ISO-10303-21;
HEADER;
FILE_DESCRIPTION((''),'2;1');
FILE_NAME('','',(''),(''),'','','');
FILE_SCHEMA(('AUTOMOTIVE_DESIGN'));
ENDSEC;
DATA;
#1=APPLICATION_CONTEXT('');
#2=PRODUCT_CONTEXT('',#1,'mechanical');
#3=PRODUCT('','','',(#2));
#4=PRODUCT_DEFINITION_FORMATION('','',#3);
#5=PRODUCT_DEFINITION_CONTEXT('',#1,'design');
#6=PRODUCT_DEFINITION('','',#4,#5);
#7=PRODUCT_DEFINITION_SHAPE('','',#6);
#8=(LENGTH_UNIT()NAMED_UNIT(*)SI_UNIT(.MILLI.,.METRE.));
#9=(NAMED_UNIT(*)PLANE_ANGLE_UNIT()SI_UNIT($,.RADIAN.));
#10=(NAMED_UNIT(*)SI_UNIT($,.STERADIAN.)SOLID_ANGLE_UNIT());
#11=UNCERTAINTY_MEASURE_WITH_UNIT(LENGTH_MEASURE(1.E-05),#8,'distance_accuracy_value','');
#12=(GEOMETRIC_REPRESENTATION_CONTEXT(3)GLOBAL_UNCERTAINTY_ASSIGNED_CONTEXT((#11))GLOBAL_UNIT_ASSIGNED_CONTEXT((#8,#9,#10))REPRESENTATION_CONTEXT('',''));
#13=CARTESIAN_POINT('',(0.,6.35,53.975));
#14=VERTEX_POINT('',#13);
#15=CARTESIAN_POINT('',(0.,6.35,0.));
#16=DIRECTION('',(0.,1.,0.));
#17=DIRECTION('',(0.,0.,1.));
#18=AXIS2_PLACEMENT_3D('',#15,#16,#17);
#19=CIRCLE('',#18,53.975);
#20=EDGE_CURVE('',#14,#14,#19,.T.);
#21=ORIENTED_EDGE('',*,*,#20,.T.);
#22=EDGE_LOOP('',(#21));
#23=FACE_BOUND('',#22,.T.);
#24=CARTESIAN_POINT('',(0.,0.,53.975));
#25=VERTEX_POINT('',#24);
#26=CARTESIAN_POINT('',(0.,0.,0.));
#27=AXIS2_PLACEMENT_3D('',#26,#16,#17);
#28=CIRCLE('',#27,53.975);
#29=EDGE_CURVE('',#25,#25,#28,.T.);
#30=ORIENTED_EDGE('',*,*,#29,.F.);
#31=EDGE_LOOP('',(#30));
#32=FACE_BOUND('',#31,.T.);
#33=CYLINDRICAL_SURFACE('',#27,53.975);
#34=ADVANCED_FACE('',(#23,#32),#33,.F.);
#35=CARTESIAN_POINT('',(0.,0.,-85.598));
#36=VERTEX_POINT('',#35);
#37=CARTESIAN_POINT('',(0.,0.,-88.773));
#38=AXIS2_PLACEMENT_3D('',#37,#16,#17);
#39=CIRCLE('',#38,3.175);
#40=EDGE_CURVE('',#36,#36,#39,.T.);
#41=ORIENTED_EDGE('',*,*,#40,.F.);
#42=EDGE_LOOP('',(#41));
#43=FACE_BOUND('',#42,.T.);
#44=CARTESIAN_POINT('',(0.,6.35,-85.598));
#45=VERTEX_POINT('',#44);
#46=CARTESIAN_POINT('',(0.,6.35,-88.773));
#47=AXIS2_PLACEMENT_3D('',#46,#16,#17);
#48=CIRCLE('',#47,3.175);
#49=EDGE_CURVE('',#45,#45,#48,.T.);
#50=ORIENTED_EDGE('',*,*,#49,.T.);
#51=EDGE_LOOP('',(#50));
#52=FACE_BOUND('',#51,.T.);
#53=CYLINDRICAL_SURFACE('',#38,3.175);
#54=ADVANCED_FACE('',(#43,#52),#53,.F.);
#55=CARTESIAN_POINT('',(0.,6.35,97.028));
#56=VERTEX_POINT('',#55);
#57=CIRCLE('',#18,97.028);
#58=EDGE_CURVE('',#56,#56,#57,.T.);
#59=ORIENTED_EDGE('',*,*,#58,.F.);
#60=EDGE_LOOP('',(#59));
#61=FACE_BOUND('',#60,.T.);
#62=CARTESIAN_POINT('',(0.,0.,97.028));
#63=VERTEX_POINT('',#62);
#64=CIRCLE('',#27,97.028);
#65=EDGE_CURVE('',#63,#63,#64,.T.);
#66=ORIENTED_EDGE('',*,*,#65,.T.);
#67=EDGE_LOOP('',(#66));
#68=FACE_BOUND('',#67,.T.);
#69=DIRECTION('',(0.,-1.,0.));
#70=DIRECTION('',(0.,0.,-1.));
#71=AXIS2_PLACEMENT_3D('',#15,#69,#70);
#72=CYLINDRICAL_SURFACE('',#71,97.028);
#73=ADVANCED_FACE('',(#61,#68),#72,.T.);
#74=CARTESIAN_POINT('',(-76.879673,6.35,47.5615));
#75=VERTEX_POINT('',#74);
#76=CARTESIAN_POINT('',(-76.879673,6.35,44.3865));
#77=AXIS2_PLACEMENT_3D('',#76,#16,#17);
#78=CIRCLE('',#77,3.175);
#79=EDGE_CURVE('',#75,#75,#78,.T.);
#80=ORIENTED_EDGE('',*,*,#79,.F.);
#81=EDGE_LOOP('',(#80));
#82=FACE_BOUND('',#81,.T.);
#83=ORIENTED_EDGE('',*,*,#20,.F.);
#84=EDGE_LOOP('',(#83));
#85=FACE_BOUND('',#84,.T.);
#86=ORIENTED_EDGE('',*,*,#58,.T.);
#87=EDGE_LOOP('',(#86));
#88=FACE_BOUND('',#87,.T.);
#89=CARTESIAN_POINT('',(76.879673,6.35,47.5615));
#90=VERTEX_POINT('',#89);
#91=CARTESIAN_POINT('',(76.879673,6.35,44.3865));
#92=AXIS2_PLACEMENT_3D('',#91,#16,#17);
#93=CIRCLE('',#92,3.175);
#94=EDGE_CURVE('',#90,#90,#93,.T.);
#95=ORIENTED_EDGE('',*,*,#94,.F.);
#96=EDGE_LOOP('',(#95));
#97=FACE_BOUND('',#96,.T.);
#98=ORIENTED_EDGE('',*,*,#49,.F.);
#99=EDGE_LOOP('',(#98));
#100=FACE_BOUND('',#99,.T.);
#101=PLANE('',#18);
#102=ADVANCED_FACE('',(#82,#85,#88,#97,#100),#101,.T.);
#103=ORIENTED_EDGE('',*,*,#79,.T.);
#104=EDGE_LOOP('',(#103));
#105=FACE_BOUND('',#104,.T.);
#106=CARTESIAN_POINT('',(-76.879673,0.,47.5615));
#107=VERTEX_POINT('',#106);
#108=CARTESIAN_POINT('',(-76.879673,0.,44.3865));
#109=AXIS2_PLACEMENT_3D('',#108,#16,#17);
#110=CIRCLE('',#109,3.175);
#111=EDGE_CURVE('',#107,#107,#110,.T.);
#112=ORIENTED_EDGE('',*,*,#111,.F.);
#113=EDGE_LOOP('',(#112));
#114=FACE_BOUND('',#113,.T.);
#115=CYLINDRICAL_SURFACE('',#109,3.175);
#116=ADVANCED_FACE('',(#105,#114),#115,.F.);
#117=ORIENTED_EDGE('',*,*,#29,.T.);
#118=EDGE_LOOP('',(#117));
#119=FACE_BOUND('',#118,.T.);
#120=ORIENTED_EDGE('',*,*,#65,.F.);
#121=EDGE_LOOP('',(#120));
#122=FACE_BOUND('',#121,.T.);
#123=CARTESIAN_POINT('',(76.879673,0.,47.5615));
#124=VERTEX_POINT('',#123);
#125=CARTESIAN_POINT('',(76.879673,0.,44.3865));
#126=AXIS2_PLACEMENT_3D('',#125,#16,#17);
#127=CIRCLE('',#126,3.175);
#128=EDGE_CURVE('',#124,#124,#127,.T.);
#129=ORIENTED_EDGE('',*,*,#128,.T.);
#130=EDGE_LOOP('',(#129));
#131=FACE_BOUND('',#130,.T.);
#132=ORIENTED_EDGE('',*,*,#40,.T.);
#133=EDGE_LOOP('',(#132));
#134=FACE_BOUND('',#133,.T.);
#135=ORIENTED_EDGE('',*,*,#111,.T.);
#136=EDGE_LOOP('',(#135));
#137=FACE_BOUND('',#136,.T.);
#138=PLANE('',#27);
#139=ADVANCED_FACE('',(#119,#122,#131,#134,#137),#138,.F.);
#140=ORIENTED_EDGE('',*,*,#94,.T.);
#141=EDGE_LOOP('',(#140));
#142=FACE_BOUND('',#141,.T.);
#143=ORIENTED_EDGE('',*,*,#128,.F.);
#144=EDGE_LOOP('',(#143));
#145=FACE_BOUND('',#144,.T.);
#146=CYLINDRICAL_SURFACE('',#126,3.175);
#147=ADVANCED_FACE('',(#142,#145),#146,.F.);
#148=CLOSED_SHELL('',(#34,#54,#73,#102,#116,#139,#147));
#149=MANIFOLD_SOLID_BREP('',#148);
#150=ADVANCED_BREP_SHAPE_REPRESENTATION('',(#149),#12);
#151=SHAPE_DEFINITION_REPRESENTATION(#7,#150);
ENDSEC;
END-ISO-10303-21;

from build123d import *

# Parameters (mm, degrees)
SKETCH1_R           = 97.028
BOSS_EXTRUDE1_DEPTH = 6.35
SKETCH2_R           = 3.175
CUT_EXTRUDE1_DEPTH  = 138.365163226
SKETCH3_R           = 53.975
CUT_EXTRUDE2_DEPTH  = 138.365163226


with BuildPart() as part:
    # Sketch1 → Boss-Extrude1 (new body)
    with BuildSketch(Plane(origin=(0, 0, 0), x_dir=(1, 0, 0), z_dir=(0, 1, 0))):
        with Locations(Location((0, 0, 0), (0, 0, 270))):
            Circle(SKETCH1_R)
    extrude(amount=BOSS_EXTRUDE1_DEPTH)

    # Sketch2 → Cut-Extrude1 (cut, through all)
    with BuildSketch(Plane(origin=(0, 6.35, 0), x_dir=(1, 0, 0), z_dir=(0, 1, 0))):
        with Locations(Location((0, 88.773, 0), (0, 0, 270))):
            Circle(SKETCH2_R)
        with Locations(Location((76.87967317, -44.3865, 0), (0, 0, 270))):
            Circle(SKETCH2_R)
        with Locations(Location((-76.87967317, -44.3865, 0), (0, 0, 270))):
            Circle(SKETCH2_R)
    extrude(amount=-CUT_EXTRUDE1_DEPTH, mode=Mode.SUBTRACT)

    # Sketch3 → Cut-Extrude2 (cut, through all)
    with BuildSketch(Plane(origin=(0, 6.35, 0), x_dir=(1, 0, 0), z_dir=(0, 1, 0))):
        with Locations(Location((0, 0, 0), (0, 0, 270))):
            Circle(SKETCH3_R)
    extrude(amount=-CUT_EXTRUDE2_DEPTH, mode=Mode.SUBTRACT)


solid = part.part
